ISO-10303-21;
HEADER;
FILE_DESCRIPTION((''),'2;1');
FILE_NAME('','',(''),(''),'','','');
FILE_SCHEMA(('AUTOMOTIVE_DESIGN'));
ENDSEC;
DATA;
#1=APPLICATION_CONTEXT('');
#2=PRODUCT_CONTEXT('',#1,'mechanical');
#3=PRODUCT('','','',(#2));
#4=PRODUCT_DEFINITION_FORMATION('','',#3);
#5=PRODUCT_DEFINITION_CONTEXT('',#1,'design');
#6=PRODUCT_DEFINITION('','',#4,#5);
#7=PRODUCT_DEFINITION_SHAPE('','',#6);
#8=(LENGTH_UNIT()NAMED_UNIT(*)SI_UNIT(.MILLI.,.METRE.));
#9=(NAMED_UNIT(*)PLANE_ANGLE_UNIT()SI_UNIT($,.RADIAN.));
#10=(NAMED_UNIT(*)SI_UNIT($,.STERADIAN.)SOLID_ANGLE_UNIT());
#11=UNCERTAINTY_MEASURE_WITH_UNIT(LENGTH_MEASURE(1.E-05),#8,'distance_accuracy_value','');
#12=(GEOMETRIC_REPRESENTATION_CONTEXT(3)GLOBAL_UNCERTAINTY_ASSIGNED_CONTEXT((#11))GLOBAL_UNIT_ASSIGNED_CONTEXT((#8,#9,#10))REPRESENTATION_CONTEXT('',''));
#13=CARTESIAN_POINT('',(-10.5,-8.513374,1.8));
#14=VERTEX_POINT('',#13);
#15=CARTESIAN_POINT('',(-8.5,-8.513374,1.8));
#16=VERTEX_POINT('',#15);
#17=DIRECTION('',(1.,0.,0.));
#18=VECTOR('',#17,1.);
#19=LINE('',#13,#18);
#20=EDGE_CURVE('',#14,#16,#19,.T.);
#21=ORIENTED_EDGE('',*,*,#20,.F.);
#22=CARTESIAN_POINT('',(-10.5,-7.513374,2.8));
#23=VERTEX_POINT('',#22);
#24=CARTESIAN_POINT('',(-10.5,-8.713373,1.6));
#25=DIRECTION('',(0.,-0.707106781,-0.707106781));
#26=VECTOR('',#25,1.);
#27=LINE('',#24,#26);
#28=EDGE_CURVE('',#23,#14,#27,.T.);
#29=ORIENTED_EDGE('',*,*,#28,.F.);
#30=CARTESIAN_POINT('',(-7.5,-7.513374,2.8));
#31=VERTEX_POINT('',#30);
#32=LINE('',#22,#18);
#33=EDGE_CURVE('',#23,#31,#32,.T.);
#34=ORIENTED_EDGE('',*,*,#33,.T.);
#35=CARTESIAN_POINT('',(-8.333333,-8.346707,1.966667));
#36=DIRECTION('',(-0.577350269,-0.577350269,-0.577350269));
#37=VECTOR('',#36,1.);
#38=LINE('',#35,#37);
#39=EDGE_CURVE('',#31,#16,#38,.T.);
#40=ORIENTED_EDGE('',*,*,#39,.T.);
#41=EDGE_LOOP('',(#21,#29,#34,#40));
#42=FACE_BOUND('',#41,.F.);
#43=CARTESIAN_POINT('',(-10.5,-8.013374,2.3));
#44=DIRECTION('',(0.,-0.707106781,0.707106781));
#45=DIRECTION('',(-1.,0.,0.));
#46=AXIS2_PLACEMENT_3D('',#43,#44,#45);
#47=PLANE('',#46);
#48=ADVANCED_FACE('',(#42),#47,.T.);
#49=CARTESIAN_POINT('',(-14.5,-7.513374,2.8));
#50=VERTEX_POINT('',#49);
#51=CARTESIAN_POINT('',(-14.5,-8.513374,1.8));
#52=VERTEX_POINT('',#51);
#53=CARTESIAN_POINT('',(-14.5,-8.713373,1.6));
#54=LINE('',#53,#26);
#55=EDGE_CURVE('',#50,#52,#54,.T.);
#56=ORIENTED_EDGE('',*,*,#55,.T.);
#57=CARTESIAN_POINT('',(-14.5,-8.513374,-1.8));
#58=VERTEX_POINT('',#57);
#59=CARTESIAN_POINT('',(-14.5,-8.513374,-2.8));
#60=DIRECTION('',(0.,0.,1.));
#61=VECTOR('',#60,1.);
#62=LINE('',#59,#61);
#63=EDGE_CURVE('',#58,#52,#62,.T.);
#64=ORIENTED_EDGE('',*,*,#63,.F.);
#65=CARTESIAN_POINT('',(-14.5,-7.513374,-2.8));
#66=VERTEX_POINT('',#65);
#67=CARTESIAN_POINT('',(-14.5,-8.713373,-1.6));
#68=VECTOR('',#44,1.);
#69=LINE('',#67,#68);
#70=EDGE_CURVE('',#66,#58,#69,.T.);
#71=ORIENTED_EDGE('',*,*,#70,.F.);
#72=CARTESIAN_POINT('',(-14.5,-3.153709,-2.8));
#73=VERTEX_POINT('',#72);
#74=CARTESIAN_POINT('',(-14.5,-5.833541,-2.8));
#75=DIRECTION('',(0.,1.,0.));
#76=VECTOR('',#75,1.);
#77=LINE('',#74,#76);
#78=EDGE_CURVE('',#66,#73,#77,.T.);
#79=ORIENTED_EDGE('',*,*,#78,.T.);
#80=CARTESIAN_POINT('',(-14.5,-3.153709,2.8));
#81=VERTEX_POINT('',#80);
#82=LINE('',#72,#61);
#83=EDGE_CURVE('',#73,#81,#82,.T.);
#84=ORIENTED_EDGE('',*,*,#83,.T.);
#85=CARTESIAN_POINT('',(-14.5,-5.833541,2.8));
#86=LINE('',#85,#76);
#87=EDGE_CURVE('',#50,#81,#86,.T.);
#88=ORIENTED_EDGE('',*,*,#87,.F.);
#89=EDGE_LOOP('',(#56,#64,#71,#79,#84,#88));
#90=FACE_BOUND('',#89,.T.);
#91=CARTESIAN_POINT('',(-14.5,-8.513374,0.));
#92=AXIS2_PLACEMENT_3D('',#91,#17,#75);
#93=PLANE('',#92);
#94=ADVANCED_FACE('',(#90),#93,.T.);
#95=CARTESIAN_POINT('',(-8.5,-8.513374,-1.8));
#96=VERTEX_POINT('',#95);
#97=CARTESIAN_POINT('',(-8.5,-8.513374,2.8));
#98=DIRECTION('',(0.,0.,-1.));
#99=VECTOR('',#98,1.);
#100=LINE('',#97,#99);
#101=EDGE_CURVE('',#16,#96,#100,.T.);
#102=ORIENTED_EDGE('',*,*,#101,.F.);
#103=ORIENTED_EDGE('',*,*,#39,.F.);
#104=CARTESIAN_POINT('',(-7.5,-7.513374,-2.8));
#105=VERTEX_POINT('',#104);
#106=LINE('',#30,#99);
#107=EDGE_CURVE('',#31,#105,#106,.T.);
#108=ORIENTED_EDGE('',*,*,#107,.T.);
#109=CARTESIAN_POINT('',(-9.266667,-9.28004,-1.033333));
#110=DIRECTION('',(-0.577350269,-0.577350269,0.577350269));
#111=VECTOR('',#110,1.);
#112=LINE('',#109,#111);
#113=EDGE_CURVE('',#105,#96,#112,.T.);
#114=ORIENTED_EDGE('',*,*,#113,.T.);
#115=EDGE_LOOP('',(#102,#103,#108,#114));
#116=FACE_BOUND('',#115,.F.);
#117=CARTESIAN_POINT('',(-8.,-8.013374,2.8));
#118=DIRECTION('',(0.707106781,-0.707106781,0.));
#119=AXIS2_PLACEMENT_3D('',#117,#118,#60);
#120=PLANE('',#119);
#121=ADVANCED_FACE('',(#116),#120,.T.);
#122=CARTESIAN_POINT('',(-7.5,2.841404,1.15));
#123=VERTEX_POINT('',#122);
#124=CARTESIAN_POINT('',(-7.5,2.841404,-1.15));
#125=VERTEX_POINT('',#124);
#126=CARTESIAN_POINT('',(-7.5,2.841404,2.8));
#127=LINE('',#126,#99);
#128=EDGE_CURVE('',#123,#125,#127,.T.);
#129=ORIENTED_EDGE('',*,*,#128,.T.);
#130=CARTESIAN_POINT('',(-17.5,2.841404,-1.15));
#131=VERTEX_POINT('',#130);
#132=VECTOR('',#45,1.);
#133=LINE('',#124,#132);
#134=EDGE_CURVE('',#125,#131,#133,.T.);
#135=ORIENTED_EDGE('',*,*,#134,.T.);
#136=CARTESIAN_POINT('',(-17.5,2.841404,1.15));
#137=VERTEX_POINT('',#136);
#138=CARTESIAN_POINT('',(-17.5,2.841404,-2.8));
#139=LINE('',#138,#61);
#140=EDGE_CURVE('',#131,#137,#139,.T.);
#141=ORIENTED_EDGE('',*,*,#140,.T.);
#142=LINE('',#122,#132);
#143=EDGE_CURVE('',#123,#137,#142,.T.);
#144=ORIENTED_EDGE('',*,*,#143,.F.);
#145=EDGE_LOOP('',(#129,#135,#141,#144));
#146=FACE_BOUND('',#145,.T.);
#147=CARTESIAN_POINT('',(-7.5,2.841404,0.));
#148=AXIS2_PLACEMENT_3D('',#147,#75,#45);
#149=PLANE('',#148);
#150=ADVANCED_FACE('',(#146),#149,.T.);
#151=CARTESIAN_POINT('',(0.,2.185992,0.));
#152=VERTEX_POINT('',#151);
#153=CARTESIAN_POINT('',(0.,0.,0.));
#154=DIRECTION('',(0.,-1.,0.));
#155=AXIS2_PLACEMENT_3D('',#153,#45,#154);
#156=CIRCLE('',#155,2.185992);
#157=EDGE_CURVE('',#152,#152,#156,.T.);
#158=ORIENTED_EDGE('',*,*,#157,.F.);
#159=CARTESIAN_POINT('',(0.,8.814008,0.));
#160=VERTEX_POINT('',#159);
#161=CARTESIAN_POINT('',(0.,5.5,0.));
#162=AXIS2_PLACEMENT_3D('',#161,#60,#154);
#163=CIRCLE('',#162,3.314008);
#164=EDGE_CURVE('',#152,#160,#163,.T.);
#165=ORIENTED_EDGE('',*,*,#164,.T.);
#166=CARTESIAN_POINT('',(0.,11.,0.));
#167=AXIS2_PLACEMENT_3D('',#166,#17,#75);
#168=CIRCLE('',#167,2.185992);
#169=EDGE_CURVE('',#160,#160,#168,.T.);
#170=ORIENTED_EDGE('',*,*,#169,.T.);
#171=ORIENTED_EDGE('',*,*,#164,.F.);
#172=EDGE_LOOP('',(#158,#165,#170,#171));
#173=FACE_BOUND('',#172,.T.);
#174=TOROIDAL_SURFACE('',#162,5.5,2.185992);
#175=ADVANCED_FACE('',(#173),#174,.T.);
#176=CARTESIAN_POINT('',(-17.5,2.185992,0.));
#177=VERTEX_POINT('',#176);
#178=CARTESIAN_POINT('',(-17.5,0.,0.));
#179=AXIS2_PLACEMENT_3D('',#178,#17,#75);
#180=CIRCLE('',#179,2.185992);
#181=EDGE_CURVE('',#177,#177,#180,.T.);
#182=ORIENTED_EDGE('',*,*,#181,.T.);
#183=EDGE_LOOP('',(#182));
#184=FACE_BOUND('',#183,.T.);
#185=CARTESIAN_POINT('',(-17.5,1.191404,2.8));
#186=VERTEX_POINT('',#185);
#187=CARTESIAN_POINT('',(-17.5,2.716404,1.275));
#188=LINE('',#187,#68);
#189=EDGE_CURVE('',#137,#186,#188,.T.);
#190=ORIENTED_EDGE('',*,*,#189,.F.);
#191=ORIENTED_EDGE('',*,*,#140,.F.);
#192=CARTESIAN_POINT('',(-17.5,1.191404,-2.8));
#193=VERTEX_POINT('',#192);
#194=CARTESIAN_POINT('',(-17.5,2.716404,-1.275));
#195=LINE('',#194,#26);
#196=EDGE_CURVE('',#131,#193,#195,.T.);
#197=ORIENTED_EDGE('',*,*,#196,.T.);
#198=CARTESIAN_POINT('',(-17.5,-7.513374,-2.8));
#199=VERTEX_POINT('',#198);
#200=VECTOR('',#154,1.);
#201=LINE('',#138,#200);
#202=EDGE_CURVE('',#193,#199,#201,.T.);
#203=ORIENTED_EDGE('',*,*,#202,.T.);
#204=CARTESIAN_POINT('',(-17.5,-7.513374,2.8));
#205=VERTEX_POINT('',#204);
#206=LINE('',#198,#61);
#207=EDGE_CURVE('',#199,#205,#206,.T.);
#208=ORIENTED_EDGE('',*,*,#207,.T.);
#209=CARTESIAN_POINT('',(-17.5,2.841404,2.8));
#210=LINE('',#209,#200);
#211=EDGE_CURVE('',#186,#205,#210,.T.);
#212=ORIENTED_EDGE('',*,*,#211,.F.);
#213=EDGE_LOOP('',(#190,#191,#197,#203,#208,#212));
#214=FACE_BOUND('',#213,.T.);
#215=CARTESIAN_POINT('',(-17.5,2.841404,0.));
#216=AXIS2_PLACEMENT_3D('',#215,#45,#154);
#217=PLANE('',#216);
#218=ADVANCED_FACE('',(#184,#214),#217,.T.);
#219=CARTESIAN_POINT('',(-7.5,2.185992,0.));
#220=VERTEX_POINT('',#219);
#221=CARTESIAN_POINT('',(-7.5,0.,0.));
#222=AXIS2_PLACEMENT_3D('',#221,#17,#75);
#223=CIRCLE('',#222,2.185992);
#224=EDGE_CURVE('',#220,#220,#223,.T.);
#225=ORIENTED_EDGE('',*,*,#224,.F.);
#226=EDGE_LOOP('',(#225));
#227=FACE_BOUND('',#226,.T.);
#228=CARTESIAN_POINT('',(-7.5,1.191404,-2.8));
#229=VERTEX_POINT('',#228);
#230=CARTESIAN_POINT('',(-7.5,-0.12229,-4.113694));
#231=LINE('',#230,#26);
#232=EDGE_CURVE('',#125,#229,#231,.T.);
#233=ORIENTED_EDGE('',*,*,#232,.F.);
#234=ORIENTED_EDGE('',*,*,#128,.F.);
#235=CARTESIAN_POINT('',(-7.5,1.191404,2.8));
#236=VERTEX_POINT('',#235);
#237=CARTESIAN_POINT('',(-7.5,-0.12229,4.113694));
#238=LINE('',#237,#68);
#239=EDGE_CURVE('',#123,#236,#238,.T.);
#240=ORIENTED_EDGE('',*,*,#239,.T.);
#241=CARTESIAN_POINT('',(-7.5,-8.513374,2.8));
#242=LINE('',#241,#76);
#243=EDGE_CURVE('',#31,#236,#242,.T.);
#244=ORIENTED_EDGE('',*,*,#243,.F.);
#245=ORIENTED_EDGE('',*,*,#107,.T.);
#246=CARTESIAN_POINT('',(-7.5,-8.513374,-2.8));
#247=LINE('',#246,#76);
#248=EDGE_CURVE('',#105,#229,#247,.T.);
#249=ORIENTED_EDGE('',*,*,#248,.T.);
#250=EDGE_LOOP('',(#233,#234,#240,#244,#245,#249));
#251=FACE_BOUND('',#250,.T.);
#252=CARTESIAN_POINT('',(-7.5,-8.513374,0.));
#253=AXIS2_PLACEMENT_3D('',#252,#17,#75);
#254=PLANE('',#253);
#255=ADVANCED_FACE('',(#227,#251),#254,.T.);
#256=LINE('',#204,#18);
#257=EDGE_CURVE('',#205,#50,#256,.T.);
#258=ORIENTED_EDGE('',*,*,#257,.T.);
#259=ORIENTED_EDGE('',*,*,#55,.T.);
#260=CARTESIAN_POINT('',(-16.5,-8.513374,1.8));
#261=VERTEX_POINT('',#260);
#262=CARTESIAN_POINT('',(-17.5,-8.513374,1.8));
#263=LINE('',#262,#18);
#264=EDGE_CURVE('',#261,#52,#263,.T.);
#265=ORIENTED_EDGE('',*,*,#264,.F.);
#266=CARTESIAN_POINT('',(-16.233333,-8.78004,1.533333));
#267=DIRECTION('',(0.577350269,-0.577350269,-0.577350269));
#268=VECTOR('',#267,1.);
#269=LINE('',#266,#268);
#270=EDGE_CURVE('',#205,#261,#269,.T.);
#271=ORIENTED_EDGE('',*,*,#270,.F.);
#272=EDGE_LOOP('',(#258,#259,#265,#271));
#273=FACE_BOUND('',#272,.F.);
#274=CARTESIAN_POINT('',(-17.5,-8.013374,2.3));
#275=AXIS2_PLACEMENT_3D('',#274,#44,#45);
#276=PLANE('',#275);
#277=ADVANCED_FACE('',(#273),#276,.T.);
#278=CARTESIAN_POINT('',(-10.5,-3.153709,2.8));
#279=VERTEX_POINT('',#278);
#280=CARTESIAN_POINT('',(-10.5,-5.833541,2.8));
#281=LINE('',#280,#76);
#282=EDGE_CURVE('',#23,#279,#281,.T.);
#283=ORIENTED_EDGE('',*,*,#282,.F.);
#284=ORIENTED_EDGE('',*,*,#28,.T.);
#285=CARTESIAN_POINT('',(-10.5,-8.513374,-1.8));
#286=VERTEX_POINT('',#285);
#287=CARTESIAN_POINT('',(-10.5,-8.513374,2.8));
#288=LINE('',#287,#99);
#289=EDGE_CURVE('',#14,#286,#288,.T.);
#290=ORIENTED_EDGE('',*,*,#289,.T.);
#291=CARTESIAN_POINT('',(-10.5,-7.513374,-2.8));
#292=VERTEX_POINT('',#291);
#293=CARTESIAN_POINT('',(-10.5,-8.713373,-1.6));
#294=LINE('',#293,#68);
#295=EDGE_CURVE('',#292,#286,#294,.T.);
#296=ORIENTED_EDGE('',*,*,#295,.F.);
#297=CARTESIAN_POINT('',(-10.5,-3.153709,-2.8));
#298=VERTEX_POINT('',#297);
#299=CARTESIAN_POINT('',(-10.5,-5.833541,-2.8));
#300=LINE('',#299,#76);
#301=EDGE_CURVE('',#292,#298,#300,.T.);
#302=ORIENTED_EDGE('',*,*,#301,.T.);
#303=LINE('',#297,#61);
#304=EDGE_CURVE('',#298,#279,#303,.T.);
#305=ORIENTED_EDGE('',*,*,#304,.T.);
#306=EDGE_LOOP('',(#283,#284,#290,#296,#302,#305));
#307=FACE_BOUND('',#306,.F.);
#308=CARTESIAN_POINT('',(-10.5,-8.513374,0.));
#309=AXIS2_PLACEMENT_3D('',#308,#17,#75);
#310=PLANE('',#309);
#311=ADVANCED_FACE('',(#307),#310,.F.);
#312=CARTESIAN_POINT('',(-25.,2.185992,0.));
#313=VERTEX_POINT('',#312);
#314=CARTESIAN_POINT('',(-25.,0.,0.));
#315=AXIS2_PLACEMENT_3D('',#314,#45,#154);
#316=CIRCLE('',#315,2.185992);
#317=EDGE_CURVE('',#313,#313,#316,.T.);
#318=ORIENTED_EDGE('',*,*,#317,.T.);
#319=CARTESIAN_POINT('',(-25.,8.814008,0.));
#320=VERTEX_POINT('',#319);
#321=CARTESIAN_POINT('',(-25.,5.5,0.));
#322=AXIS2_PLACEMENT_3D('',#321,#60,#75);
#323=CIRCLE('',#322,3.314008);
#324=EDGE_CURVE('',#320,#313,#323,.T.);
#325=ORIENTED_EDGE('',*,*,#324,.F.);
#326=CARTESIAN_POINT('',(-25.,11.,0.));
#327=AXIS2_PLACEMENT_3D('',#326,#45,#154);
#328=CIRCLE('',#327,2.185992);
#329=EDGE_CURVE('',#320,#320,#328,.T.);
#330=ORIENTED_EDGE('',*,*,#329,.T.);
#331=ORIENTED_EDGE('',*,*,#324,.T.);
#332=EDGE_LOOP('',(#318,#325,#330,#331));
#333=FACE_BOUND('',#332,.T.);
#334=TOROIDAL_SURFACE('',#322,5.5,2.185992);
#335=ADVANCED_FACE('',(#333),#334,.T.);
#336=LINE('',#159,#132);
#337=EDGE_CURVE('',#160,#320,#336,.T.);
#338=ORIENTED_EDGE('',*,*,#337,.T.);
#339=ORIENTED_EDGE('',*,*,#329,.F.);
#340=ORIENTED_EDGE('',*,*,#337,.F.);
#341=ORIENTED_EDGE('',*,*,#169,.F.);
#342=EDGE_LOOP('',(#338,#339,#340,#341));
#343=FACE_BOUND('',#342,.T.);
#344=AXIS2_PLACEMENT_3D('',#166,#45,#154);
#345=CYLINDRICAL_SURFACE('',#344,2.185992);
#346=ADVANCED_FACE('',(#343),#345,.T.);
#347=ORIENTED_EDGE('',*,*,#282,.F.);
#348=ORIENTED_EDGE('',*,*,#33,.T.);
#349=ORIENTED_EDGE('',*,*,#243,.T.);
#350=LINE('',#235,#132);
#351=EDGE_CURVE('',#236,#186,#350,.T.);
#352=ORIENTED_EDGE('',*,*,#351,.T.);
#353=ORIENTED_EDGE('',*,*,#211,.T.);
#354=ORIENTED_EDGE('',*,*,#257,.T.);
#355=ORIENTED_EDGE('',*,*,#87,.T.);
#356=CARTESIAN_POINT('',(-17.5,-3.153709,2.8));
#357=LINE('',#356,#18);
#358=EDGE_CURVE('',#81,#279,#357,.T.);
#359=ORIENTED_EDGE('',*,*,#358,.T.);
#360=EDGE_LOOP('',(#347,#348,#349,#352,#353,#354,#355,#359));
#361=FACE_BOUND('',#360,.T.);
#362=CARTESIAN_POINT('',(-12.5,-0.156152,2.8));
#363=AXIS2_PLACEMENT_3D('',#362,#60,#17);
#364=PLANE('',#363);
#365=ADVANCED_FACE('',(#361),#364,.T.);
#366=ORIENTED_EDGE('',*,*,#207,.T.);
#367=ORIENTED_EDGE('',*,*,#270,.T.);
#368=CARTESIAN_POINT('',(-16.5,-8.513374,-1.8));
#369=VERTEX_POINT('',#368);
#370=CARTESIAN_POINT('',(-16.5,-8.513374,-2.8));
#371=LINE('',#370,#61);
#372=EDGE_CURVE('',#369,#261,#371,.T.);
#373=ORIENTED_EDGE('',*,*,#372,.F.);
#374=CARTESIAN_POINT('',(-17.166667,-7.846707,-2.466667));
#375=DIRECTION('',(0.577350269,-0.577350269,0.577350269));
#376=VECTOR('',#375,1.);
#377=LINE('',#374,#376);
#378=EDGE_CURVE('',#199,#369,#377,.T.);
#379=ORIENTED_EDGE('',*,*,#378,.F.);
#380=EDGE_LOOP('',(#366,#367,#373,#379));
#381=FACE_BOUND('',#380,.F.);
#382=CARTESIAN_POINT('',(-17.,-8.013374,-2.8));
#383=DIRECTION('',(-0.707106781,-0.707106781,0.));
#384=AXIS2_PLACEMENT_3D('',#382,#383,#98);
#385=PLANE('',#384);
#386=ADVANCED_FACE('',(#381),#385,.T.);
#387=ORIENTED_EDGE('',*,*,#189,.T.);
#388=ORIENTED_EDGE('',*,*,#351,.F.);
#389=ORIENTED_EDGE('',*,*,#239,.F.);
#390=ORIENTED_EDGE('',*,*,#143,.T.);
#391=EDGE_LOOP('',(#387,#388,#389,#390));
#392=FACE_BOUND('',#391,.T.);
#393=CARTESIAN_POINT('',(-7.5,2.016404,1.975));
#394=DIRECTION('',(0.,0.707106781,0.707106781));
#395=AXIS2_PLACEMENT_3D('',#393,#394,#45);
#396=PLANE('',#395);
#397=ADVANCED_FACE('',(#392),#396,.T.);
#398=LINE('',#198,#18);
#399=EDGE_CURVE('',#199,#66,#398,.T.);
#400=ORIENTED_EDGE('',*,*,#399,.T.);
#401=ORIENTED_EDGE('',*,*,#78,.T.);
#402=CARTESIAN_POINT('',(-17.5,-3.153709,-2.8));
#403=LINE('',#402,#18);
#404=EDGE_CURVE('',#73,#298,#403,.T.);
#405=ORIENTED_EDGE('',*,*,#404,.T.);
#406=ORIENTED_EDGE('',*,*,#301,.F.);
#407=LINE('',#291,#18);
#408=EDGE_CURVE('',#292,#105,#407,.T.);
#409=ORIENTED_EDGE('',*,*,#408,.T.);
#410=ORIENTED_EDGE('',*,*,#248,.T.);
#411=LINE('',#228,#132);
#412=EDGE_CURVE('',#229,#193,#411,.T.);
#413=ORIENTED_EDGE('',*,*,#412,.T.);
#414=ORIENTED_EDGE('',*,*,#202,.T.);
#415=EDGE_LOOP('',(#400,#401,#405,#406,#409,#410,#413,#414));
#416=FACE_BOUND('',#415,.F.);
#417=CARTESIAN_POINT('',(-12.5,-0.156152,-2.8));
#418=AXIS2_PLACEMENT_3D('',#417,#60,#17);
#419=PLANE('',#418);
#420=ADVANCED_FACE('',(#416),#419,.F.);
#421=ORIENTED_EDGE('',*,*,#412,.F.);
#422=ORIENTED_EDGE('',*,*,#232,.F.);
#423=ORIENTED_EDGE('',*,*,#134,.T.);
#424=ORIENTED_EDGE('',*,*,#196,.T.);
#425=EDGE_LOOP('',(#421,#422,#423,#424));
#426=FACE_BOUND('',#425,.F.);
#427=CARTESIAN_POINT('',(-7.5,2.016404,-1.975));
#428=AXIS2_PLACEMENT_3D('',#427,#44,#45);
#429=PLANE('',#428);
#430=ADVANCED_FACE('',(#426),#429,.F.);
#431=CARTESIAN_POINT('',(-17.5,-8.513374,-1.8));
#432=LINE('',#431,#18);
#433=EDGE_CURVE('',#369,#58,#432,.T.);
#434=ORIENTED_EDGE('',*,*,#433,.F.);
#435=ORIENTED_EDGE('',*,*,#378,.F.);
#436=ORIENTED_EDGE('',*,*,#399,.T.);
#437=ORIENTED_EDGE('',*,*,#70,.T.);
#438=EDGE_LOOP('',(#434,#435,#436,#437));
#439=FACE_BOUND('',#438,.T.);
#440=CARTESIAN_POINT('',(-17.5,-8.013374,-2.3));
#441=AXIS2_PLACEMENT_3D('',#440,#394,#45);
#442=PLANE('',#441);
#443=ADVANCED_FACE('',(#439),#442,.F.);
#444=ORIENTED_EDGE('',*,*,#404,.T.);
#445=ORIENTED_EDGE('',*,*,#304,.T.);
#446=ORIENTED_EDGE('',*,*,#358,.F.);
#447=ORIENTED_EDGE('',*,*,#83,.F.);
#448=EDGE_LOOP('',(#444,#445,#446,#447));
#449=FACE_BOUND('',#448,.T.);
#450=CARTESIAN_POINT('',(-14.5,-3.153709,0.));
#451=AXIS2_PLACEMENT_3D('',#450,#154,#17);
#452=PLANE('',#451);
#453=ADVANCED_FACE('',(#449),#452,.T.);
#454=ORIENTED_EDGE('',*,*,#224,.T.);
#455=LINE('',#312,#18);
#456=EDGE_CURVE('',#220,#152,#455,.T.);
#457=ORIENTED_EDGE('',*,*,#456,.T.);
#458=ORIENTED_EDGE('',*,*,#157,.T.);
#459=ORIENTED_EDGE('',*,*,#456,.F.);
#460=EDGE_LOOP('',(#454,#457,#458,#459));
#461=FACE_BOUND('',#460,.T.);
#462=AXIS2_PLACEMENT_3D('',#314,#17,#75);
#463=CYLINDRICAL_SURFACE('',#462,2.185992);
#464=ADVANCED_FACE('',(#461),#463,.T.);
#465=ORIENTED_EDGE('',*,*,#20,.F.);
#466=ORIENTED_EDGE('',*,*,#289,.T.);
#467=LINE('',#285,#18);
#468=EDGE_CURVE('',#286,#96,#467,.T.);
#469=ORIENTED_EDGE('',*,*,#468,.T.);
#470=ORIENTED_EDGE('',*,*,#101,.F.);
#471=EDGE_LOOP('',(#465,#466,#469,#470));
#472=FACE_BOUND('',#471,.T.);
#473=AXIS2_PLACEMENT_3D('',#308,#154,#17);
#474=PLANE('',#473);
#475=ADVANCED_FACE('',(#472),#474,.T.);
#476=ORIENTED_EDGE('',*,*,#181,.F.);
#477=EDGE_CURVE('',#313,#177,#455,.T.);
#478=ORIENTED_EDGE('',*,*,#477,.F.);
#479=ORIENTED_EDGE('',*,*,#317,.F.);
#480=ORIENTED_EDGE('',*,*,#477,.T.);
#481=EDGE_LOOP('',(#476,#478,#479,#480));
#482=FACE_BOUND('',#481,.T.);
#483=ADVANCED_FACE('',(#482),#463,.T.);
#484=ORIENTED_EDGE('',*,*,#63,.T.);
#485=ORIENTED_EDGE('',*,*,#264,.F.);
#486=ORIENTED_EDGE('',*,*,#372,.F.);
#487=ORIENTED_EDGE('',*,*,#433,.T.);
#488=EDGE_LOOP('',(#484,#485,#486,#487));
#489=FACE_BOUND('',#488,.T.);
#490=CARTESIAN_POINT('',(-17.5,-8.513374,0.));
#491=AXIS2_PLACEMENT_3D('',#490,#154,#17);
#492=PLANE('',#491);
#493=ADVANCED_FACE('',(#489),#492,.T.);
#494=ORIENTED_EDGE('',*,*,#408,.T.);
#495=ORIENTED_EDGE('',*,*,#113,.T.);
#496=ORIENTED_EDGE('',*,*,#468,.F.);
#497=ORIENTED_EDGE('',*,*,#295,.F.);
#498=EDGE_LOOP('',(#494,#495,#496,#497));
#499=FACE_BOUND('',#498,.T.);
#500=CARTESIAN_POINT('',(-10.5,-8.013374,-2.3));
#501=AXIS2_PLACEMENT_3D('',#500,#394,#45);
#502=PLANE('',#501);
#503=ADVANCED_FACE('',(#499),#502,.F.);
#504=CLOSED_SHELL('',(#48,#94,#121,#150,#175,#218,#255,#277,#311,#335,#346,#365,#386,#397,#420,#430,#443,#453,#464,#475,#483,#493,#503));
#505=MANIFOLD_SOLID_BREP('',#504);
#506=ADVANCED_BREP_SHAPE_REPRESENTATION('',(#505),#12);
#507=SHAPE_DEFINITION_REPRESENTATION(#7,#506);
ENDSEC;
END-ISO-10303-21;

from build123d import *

# Parameters (mm, degrees)
F1_R     = 2.185992
F3_W     = 3
F3_H     = 5.359665
F4_DEPTH = 2.8
F5_SIZE  = 1.65
F6_SIZE  = 1


with BuildPart() as f2:
    # F2: sweep along a path in F0
    with BuildLine(Plane.XY) as f2_path:
        ThreePointArc((0, 0), (5.5, 5.5), (0, 11))
        Line((0, 11), (-25, 11))
        ThreePointArc((-25, 11), (-30.5, 5.5), (-25, 0))
        Line((-25, 0), (0, 0))
    # F1 (on Right) → F2 (sweep)
    with BuildSketch(Plane.YZ):
        Circle(F1_R)
    sweep(path=f2_path.line)

    # F3 (on Top) → F4 (join, symmetric)
    with BuildSketch(Plane.XY):
        Polygon((-7.5, 2.841404), (-17.5, 2.841404), (-17.5, -3.153709), (-14.5, -3.153709), (-10.5, -3.153709), (-7.5, -3.153709), align=None)
        with Locations((-16, -5.833541)):
            Rectangle(F3_W, F3_H)
        with Locations((-9, -5.833541)):
            Rectangle(F3_W, F3_H)
    extrude(amount=F4_DEPTH, both=True)

    # F5
    f5_edges = [f2.edges().sort_by_distance(p)[0] for p in [
        (-12.5, 2.841404, 2.8),
        (-12.5, 2.841404, -2.8),
    ]]
    chamfer(f5_edges, length=F5_SIZE)

    # F6
    f6_edges = [f2.edges().sort_by_distance(p)[0] for p in [
        (-9, -8.513374, -2.8),
        (-7.5, -8.513374, 0),
        (-9, -8.513374, 2.8),
        (-16, -8.513374, -2.8),
        (-17.5, -8.513374, 0),
        (-16, -8.513374, 2.8),
    ]]
    chamfer(f6_edges, length=F6_SIZE)


solid = f2.part
